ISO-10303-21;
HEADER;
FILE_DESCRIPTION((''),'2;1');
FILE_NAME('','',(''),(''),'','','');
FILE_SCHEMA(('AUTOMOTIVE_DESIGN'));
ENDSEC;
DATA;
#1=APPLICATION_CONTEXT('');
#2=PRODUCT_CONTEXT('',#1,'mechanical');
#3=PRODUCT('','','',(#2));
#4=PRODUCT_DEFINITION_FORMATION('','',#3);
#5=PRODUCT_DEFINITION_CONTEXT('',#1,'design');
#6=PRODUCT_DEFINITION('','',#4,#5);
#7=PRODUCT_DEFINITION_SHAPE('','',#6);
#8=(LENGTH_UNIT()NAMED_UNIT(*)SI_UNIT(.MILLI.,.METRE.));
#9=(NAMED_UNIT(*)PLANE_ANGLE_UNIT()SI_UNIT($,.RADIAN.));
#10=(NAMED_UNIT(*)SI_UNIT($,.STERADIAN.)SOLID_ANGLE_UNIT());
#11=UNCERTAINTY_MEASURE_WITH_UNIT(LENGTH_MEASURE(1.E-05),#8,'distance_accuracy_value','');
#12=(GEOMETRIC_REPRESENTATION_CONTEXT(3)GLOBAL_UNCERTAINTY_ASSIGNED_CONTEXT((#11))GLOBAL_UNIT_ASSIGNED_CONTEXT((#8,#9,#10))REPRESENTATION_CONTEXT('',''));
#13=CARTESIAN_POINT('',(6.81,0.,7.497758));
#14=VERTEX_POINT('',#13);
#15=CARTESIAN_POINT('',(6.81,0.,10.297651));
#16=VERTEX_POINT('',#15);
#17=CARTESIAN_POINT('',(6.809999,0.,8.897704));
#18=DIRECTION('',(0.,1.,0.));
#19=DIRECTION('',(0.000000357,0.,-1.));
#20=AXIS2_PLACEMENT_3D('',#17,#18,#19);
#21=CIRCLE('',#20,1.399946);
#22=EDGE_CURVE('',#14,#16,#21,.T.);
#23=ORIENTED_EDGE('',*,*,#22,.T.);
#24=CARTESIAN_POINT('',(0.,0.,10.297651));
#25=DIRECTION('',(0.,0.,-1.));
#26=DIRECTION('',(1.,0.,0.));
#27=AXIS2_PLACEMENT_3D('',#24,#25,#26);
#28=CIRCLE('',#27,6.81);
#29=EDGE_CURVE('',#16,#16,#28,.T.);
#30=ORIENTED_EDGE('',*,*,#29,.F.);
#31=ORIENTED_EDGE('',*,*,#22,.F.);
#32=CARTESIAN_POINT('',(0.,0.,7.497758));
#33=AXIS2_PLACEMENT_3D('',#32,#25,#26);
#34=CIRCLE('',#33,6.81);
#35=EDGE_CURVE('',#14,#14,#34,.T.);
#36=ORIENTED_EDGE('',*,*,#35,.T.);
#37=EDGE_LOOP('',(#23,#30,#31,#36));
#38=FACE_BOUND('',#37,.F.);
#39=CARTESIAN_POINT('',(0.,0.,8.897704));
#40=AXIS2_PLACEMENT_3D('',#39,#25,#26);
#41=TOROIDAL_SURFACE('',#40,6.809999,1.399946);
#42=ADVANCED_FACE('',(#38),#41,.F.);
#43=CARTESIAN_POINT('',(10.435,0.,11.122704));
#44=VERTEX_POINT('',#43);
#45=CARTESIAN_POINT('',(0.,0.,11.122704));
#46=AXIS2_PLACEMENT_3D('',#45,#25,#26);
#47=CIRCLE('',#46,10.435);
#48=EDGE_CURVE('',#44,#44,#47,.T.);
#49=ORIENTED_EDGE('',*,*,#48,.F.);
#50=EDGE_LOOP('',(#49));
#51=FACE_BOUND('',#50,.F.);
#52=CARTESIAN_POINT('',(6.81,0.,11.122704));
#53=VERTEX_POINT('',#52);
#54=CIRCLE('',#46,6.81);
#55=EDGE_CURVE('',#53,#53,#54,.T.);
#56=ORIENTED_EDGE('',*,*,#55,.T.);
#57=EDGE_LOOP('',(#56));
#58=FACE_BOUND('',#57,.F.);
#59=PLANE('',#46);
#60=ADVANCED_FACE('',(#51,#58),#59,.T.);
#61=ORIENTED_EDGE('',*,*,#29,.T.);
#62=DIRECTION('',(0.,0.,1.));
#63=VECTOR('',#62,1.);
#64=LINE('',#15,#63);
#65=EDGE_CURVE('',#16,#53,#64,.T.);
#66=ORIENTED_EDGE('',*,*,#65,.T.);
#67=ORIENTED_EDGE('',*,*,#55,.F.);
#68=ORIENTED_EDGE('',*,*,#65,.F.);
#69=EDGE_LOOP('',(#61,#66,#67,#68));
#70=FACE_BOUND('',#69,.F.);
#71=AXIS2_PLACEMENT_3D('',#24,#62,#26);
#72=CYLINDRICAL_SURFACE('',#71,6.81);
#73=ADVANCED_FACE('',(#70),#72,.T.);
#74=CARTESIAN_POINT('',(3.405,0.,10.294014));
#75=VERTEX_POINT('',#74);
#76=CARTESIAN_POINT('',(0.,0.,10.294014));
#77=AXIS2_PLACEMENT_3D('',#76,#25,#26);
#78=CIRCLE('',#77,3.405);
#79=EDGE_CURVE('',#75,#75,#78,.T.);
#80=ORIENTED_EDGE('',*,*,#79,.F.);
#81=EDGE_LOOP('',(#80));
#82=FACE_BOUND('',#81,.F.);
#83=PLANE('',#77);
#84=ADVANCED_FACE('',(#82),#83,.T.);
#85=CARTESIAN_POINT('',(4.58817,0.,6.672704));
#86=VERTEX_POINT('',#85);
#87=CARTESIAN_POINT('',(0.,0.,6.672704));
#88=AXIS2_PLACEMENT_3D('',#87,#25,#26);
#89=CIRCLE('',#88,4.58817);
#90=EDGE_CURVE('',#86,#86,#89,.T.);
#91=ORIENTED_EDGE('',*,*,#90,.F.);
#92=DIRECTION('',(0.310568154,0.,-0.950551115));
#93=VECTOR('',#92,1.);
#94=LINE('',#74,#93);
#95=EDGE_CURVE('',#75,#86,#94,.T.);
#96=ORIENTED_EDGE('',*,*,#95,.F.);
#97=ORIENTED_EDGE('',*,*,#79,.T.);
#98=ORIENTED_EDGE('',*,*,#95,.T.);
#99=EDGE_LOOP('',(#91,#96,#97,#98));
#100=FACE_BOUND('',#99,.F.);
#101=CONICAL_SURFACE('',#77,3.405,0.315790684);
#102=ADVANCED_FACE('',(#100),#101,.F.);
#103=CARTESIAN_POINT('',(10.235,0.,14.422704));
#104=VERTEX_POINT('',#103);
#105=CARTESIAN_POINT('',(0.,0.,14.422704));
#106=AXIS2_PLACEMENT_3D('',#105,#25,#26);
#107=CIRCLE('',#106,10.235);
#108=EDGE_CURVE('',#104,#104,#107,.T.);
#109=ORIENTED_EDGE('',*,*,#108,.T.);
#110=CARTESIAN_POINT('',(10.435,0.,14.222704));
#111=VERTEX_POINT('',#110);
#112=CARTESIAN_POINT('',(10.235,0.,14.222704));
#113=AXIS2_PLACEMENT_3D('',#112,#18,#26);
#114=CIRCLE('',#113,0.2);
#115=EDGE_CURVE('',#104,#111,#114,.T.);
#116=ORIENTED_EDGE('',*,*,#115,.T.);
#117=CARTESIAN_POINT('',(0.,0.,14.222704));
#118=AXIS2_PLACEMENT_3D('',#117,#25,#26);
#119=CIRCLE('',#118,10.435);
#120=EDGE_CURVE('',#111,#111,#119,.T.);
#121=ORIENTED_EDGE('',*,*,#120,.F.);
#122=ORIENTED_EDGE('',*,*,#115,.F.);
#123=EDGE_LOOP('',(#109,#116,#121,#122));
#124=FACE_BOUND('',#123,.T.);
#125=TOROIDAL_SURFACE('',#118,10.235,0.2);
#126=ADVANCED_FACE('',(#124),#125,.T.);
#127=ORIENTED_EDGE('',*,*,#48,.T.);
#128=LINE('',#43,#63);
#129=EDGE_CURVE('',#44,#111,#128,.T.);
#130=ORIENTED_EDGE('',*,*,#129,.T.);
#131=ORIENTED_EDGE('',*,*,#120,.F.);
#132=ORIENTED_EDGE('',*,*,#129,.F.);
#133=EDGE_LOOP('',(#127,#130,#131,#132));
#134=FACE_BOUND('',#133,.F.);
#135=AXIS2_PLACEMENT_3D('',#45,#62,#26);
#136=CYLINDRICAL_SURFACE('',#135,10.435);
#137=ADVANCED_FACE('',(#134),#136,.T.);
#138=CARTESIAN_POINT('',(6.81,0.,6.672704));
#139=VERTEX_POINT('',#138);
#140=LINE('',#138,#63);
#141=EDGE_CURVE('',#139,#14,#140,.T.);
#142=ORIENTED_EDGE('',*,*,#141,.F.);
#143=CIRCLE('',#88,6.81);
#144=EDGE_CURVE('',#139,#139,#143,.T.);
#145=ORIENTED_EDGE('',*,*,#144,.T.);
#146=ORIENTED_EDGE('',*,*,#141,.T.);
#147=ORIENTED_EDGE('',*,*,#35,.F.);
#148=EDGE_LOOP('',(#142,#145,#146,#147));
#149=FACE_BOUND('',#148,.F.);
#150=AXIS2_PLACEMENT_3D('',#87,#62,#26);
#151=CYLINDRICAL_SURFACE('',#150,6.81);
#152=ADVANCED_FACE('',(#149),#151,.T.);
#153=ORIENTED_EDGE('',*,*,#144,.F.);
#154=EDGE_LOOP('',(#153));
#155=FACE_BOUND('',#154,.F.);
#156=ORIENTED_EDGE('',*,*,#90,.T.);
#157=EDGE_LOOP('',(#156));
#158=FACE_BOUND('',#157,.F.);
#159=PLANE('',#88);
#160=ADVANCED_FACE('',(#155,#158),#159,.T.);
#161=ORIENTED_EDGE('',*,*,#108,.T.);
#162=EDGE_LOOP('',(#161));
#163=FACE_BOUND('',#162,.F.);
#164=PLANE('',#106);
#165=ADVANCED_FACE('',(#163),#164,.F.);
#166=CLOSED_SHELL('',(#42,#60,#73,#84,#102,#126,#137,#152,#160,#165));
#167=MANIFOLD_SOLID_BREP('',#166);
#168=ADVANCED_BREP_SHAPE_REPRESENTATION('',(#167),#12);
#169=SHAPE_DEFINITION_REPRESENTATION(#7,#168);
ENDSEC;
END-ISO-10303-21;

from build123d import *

# Parameters (mm, degrees)
F2_R = 0.2


with BuildPart() as f1:
    # F0 (on Front) → F1 (revolve)
    with BuildSketch(Plane.XZ):
        with BuildLine():
            Line((10.435, 14.422704), (0, 14.422704))
            Line((0, 14.422704), (0, 10.294014))
            Line((0, 10.294014), (3.405, 10.294014))
            Line((3.405, 10.294014), (4.58817, 6.672704))
            Line((4.58817, 6.672704), (6.81, 6.672704))
            Line((6.81, 6.672704), (6.81, 7.497758))
            ThreePointArc((6.81, 7.497758), (5.410053, 8.897704), (6.81, 10.297651))
            Line((6.81, 10.297651), (6.81, 11.122704))
            Line((6.81, 11.122704), (10.435, 11.122704))
            Line((10.435, 11.122704), (10.435, 14.422704))
        make_face()
    revolve(axis=Axis((0, 0, 6.85568), (0, 0, -1)))

    # F2
    f2_edges = [f1.edges().sort_by_distance(p)[0] for p in [
        (-10.435, 0, 14.422704),
    ]]
    fillet(f2_edges, radius=F2_R)


solid = f1.part
